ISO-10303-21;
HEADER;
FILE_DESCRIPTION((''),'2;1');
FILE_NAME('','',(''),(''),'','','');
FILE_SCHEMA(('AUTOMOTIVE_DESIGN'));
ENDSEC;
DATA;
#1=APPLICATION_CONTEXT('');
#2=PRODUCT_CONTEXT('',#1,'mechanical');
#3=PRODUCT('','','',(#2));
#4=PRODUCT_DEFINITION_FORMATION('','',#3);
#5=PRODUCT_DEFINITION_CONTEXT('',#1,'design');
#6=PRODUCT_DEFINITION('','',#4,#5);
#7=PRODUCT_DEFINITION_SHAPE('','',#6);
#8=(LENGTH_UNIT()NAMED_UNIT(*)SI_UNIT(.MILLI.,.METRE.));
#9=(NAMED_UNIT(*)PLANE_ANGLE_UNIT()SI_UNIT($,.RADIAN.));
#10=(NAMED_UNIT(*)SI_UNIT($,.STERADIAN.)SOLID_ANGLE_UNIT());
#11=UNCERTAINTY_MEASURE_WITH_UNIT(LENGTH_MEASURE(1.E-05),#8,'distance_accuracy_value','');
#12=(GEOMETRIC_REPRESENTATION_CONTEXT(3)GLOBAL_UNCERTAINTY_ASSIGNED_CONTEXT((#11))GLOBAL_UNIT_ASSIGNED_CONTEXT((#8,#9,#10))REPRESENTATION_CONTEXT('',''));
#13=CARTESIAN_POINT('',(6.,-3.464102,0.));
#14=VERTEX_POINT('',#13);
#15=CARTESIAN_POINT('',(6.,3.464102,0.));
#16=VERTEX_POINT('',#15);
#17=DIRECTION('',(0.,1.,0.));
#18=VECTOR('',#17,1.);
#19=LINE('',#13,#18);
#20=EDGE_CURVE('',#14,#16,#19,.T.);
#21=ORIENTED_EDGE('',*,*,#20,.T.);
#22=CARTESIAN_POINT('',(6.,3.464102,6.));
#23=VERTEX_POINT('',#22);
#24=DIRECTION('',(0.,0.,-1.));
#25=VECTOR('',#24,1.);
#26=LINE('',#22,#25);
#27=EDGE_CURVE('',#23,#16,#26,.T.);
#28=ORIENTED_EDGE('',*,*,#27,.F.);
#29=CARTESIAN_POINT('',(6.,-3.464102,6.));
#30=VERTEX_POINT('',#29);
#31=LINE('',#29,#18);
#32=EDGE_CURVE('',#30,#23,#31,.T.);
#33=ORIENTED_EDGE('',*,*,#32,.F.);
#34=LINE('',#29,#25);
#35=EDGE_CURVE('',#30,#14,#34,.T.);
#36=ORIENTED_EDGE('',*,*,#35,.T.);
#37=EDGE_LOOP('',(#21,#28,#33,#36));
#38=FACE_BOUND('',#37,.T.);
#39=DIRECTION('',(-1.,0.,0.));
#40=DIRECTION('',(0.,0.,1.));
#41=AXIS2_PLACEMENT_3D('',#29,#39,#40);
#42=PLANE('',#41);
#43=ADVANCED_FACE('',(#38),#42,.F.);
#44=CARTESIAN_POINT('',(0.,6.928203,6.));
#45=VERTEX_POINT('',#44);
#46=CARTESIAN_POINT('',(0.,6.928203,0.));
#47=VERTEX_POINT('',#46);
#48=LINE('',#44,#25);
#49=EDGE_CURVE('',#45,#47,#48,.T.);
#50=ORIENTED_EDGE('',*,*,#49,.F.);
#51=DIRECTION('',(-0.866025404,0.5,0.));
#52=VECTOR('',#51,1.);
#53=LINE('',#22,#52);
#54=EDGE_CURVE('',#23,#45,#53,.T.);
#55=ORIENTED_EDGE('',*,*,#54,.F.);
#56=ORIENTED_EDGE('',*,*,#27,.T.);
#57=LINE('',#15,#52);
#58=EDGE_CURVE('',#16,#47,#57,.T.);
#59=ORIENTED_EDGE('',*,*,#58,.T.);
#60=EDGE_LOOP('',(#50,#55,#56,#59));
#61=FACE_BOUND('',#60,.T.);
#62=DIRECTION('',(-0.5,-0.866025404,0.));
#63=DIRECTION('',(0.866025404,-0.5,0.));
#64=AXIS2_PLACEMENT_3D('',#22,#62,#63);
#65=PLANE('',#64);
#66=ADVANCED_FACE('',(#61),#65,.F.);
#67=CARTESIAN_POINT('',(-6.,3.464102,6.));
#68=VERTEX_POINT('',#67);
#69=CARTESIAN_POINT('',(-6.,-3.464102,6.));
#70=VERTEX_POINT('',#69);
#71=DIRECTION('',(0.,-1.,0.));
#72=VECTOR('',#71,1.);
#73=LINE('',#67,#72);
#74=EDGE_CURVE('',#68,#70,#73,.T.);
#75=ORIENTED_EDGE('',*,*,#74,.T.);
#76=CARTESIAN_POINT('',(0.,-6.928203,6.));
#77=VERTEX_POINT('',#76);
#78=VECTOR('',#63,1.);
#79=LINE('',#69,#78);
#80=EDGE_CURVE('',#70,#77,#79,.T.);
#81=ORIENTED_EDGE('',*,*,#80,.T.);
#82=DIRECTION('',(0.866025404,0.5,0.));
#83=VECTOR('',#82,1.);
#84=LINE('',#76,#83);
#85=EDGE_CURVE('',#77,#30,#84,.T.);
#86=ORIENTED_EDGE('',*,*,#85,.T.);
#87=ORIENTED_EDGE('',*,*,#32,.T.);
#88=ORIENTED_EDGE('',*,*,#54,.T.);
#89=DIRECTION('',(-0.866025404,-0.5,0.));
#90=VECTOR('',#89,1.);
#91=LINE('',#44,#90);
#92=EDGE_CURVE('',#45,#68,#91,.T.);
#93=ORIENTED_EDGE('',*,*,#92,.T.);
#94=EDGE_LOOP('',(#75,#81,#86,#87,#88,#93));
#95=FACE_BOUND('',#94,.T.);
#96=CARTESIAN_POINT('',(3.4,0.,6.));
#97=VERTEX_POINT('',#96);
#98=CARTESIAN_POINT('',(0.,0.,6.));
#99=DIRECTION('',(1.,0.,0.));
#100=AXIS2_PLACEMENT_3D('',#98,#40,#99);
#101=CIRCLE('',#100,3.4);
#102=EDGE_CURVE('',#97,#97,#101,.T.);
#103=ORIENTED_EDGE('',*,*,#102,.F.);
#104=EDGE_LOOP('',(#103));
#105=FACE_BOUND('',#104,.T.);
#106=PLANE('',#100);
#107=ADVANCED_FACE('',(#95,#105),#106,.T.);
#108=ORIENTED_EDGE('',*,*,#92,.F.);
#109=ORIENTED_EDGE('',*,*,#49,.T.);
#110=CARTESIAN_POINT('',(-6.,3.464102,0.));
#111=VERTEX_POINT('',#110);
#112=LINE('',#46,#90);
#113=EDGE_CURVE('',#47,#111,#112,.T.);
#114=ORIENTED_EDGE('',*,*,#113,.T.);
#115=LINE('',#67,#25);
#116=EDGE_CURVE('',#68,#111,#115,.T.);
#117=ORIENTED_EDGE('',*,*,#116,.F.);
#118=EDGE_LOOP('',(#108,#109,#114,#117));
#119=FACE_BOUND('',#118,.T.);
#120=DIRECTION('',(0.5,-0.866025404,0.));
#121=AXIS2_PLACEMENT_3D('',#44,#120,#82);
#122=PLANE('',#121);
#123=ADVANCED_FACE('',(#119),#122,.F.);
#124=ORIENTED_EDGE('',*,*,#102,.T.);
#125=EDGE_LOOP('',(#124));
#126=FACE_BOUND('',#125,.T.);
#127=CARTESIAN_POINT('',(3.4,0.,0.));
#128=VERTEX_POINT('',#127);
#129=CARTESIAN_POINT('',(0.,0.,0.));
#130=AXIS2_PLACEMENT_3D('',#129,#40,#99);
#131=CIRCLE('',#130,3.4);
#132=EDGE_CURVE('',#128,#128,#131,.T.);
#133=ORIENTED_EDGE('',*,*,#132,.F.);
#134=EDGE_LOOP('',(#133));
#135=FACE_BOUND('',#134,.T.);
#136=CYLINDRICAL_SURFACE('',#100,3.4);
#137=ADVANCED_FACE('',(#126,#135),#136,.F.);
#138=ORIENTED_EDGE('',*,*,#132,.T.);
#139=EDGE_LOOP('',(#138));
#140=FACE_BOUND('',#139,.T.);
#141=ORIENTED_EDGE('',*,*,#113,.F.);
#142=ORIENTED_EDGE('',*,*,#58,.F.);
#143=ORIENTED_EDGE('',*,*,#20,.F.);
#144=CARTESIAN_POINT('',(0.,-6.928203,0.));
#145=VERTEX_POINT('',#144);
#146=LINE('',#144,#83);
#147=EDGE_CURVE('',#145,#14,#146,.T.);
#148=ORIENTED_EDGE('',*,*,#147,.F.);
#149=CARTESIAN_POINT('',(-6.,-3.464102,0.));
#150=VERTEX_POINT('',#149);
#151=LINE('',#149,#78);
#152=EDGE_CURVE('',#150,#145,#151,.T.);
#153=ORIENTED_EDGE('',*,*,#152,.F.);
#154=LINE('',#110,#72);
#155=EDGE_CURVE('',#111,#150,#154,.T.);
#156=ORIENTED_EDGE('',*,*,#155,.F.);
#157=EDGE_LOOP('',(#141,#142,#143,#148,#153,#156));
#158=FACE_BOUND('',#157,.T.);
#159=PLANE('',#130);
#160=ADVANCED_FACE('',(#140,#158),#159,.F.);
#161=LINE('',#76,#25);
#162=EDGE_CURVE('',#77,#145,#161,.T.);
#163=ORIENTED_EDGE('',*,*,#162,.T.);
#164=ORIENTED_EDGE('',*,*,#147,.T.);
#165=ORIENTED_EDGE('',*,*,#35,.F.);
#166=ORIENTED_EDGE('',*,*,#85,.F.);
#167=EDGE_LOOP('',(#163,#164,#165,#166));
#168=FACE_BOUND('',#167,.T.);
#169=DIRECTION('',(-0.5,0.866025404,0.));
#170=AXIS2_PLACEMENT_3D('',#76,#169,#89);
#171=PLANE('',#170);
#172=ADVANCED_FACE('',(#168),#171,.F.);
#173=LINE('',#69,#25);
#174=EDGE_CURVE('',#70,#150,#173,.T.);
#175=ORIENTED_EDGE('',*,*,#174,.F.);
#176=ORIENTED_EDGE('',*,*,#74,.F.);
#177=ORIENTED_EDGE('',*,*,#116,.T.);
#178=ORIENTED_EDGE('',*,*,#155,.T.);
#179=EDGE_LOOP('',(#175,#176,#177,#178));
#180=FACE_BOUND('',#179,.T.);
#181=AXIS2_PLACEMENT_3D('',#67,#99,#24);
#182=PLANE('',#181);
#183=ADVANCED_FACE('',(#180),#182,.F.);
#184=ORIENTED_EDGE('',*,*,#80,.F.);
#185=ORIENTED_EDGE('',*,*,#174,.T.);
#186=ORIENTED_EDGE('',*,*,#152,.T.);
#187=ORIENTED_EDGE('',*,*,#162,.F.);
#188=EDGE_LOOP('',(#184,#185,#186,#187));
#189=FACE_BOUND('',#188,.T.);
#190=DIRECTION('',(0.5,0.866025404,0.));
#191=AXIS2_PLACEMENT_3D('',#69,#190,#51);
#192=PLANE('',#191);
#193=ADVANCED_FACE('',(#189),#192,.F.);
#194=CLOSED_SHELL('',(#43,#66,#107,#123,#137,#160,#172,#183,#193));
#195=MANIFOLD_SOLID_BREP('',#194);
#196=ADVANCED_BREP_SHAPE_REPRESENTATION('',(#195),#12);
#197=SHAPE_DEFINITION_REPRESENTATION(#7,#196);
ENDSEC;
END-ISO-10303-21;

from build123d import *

# Parameters (mm, degrees)
EXTRUDE_1_DEPTH    = 6
HOLE_WIZARD_M8_2_D = 6.8


with BuildPart() as part:
    # 草图1 → 凸台-拉伸1 (new body)
    with BuildSketch(Plane.XY):
        Polygon((6, -3.464101615), (6, 3.464101615), (0, 6.92820323), (-6, 3.464101615), (-6, -3.464101615), (0, -6.92820323), align=None)
    extrude(amount=EXTRUDE_1_DEPTH)

    # M8 螺纹孔2 (through all)
    with Locations(Plane.XY.offset(6)):
        with Locations((0, 0)):
            Hole(HOLE_WIZARD_M8_2_D / 2)


solid = part.part
